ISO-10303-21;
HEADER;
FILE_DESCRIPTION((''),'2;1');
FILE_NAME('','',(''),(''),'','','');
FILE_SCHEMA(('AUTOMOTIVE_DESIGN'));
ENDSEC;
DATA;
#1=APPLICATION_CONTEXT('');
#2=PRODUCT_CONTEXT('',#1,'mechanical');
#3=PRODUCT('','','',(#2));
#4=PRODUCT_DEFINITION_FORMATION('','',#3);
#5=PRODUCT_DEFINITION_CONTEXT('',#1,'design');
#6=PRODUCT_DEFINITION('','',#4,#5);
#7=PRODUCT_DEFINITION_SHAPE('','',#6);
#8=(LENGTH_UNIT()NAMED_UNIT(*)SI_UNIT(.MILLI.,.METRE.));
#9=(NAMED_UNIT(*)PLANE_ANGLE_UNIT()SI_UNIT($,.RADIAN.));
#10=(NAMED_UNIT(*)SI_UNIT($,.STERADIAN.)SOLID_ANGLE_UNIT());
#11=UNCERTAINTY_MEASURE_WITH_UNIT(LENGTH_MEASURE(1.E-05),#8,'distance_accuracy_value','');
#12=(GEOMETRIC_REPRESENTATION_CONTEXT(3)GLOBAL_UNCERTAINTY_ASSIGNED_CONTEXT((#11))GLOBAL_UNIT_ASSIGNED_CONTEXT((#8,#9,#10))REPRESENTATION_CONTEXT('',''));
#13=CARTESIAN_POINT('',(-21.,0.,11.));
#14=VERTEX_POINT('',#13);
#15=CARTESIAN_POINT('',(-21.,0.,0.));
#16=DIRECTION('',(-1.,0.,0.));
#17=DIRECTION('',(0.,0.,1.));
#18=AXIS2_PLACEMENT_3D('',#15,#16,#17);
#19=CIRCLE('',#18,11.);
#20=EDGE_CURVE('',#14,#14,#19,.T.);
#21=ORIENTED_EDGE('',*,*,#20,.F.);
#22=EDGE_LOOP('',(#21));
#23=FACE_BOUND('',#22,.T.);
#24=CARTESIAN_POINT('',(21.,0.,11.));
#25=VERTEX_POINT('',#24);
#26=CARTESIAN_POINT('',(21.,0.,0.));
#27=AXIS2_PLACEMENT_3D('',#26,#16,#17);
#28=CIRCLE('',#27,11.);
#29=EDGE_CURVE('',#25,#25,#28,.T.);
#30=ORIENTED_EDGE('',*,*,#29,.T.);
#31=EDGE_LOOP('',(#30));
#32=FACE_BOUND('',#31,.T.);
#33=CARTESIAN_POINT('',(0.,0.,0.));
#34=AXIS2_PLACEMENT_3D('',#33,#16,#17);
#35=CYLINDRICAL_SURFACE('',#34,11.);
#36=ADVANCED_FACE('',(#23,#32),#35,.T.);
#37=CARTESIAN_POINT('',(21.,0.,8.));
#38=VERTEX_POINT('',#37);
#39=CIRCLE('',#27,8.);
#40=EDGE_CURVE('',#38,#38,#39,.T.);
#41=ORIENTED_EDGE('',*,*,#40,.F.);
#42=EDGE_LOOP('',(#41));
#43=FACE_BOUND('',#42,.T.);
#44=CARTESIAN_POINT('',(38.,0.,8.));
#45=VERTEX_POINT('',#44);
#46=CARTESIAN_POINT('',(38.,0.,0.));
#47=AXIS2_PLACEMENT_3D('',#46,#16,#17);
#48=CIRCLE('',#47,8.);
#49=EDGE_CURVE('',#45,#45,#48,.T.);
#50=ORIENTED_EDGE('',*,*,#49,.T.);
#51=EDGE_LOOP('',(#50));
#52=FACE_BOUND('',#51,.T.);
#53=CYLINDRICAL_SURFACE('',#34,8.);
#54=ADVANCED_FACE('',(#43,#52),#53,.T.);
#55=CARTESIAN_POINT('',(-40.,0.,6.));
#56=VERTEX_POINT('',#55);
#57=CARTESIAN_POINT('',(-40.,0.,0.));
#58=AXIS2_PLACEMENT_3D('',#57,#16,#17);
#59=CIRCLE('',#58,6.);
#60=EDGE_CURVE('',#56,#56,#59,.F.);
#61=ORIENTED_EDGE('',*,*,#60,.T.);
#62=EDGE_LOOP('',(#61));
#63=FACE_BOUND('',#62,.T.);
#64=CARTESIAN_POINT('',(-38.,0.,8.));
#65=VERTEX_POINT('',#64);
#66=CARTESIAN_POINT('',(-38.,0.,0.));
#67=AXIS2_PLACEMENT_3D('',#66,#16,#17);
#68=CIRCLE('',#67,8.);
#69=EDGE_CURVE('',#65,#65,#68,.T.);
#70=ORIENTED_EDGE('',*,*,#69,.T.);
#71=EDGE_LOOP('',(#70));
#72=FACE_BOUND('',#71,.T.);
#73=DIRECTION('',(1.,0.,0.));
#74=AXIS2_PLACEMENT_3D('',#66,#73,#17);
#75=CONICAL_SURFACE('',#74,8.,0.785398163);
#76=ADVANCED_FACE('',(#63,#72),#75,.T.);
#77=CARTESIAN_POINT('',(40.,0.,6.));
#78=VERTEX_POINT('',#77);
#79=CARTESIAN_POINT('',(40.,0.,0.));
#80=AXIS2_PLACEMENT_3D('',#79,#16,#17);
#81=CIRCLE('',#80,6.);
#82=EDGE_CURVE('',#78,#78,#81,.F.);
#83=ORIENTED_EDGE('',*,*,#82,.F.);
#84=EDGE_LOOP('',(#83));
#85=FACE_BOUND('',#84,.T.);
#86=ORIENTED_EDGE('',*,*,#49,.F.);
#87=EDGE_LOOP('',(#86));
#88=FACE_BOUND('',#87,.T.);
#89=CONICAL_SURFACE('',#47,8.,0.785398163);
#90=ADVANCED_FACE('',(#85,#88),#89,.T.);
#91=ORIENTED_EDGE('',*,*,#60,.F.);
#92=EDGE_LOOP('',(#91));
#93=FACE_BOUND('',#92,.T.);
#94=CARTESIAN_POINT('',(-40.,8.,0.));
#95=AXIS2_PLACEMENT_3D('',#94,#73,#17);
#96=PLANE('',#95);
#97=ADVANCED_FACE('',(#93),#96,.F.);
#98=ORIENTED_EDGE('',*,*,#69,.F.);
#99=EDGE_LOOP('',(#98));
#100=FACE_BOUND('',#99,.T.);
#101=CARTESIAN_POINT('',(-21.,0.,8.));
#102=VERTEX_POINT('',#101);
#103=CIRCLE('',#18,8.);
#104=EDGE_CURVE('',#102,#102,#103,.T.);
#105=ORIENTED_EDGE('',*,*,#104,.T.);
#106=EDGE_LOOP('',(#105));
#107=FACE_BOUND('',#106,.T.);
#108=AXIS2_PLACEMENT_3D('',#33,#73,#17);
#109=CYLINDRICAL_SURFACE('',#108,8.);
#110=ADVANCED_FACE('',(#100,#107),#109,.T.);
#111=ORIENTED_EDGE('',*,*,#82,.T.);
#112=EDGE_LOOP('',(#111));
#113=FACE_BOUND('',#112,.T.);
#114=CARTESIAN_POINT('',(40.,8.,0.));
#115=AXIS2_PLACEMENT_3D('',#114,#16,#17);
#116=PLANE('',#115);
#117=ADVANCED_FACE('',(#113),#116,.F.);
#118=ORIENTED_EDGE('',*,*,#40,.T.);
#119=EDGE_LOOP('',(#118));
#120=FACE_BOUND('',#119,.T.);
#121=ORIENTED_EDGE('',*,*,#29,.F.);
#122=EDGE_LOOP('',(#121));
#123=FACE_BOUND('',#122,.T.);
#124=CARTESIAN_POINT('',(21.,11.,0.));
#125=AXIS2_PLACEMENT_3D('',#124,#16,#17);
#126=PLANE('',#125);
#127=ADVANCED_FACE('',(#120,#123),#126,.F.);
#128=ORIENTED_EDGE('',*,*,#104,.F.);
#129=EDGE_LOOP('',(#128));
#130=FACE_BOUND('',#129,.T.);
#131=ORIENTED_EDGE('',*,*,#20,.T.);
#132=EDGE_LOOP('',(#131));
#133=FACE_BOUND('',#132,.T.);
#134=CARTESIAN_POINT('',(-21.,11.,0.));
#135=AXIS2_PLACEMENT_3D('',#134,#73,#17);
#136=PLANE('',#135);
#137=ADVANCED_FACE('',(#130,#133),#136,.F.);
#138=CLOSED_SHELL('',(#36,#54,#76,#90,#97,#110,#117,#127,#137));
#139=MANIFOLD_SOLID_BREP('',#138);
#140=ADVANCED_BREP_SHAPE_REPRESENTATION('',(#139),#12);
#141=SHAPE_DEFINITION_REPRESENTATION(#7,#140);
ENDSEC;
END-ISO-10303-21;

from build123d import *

# Parameters (mm, degrees)
CHAMFER_1_SIZE = 2


with BuildPart() as part:
    # 草圖1 → 旋轉1 (revolve)
    with BuildSketch(Plane.XY, mode=Mode.PRIVATE) as revolve_1_sk:
        Polygon((0, 0), (0, 11), (21, 11), (21, 8), (40, 8), (40, 0), align=None)
    revolve(revolve_1_sk.sketch.rotate(Axis((0, 0, 0), (1, 0, 0)), 90), axis=Axis((0, 0, 0), (1, 0, 0)))

    # 導角1
    chamfer_1_edges = [part.edges().sort_by_distance(p)[0] for p in [
        (40, 0, -8),
    ]]
    chamfer(chamfer_1_edges, length=CHAMFER_1_SIZE)

    # 鏡射1: part across plane


with BuildPart() as part_1:
    add(part.part)
    add(part.part.mirror(Plane(origin=(0, 0, 0), x_dir=(0, 0, 1), z_dir=(1, 0, 0))))


solid = part_1.part
